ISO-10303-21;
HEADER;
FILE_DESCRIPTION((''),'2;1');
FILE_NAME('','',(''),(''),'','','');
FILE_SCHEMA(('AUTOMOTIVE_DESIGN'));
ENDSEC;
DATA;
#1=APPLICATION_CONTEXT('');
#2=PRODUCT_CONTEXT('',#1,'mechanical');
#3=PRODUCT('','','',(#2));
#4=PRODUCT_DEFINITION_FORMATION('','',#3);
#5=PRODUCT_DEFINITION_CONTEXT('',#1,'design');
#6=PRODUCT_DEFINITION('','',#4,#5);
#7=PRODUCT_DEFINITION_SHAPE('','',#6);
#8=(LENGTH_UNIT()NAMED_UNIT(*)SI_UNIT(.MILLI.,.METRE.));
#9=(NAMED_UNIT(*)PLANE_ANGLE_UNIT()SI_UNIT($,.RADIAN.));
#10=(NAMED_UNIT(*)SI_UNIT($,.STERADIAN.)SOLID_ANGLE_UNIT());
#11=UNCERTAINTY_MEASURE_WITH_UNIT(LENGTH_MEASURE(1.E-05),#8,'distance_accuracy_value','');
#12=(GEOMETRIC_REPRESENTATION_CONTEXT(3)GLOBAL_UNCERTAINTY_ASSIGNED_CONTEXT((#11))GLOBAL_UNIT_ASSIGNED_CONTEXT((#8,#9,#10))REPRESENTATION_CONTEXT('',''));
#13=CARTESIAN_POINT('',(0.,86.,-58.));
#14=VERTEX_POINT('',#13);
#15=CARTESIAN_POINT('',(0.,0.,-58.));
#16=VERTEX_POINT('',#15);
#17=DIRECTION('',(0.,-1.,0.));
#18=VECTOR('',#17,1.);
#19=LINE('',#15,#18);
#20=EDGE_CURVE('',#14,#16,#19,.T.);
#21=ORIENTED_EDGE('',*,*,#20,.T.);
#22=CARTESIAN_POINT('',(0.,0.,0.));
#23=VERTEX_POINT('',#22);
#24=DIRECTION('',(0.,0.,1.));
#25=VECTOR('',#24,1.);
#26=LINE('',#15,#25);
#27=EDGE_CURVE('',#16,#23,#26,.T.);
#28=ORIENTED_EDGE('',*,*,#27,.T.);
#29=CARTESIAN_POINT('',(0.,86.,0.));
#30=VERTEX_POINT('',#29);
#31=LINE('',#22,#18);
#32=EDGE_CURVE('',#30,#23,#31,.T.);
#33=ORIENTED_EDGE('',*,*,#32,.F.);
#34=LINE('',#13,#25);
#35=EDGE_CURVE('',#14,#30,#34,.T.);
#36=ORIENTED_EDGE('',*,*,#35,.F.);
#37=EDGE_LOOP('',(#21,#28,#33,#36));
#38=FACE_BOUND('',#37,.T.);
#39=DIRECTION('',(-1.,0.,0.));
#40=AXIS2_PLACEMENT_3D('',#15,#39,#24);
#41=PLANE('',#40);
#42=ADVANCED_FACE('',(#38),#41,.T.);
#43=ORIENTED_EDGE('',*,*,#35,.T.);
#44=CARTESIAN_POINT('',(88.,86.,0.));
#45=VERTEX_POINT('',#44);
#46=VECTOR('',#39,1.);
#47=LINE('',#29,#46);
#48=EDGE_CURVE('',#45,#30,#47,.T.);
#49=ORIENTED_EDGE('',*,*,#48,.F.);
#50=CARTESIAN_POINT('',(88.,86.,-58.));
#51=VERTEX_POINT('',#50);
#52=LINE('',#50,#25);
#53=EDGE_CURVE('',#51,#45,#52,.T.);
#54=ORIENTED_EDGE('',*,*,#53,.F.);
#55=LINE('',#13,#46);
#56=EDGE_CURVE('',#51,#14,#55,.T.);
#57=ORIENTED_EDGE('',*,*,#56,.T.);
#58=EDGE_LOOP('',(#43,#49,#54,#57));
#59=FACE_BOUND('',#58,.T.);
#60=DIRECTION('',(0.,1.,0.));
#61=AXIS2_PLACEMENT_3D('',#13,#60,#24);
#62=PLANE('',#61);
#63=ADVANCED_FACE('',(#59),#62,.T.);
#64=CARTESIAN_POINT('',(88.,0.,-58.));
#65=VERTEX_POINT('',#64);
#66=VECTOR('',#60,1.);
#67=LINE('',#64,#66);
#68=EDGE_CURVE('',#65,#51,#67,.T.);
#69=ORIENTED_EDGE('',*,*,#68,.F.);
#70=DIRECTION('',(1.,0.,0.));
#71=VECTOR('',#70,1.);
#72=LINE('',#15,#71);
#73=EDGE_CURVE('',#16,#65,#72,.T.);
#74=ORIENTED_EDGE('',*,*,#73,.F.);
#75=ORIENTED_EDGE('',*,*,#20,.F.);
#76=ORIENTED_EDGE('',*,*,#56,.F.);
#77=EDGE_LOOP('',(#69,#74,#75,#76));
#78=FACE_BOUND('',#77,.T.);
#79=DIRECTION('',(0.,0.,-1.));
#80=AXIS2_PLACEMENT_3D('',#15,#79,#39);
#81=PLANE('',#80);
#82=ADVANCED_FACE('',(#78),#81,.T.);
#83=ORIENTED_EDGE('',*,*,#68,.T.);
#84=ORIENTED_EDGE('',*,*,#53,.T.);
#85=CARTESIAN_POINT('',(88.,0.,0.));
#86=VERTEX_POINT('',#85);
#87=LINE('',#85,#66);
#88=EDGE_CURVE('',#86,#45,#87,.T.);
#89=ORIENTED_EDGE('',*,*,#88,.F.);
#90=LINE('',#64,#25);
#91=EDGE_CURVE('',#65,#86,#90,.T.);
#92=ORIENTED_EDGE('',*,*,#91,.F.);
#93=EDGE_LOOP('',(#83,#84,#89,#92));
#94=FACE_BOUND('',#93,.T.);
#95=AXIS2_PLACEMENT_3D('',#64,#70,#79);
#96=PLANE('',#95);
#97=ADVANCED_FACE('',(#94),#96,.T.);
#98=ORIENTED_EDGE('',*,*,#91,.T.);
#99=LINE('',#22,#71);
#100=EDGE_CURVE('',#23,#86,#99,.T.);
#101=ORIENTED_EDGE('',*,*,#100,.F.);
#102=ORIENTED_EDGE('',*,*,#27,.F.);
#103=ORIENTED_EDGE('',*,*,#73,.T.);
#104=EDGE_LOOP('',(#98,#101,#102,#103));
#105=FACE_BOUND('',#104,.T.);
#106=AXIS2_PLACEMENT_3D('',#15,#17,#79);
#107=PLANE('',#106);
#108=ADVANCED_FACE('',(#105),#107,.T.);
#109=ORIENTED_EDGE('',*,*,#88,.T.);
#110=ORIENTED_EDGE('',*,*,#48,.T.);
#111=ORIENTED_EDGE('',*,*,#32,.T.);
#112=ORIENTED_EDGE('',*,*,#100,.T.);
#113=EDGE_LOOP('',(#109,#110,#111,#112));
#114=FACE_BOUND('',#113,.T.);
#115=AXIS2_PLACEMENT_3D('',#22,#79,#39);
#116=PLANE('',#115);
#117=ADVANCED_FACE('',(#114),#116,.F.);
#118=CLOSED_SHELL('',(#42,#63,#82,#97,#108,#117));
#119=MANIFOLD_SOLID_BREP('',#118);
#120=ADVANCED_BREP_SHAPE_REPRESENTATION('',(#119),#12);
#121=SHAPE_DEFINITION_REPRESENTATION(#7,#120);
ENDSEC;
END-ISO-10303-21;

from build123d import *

# Parameters (mm, degrees)
SKETCH1_W           = 88
SKETCH1_H           = 86
BOSS_EXTRUDE1_DEPTH = 58


with BuildPart() as part:
    # Sketch1 → Boss-Extrude1 (new body)
    with BuildSketch(Plane.XY):
        with Locations((44, 43)):
            Rectangle(SKETCH1_W, SKETCH1_H)
    extrude(amount=-BOSS_EXTRUDE1_DEPTH)


solid = part.part
